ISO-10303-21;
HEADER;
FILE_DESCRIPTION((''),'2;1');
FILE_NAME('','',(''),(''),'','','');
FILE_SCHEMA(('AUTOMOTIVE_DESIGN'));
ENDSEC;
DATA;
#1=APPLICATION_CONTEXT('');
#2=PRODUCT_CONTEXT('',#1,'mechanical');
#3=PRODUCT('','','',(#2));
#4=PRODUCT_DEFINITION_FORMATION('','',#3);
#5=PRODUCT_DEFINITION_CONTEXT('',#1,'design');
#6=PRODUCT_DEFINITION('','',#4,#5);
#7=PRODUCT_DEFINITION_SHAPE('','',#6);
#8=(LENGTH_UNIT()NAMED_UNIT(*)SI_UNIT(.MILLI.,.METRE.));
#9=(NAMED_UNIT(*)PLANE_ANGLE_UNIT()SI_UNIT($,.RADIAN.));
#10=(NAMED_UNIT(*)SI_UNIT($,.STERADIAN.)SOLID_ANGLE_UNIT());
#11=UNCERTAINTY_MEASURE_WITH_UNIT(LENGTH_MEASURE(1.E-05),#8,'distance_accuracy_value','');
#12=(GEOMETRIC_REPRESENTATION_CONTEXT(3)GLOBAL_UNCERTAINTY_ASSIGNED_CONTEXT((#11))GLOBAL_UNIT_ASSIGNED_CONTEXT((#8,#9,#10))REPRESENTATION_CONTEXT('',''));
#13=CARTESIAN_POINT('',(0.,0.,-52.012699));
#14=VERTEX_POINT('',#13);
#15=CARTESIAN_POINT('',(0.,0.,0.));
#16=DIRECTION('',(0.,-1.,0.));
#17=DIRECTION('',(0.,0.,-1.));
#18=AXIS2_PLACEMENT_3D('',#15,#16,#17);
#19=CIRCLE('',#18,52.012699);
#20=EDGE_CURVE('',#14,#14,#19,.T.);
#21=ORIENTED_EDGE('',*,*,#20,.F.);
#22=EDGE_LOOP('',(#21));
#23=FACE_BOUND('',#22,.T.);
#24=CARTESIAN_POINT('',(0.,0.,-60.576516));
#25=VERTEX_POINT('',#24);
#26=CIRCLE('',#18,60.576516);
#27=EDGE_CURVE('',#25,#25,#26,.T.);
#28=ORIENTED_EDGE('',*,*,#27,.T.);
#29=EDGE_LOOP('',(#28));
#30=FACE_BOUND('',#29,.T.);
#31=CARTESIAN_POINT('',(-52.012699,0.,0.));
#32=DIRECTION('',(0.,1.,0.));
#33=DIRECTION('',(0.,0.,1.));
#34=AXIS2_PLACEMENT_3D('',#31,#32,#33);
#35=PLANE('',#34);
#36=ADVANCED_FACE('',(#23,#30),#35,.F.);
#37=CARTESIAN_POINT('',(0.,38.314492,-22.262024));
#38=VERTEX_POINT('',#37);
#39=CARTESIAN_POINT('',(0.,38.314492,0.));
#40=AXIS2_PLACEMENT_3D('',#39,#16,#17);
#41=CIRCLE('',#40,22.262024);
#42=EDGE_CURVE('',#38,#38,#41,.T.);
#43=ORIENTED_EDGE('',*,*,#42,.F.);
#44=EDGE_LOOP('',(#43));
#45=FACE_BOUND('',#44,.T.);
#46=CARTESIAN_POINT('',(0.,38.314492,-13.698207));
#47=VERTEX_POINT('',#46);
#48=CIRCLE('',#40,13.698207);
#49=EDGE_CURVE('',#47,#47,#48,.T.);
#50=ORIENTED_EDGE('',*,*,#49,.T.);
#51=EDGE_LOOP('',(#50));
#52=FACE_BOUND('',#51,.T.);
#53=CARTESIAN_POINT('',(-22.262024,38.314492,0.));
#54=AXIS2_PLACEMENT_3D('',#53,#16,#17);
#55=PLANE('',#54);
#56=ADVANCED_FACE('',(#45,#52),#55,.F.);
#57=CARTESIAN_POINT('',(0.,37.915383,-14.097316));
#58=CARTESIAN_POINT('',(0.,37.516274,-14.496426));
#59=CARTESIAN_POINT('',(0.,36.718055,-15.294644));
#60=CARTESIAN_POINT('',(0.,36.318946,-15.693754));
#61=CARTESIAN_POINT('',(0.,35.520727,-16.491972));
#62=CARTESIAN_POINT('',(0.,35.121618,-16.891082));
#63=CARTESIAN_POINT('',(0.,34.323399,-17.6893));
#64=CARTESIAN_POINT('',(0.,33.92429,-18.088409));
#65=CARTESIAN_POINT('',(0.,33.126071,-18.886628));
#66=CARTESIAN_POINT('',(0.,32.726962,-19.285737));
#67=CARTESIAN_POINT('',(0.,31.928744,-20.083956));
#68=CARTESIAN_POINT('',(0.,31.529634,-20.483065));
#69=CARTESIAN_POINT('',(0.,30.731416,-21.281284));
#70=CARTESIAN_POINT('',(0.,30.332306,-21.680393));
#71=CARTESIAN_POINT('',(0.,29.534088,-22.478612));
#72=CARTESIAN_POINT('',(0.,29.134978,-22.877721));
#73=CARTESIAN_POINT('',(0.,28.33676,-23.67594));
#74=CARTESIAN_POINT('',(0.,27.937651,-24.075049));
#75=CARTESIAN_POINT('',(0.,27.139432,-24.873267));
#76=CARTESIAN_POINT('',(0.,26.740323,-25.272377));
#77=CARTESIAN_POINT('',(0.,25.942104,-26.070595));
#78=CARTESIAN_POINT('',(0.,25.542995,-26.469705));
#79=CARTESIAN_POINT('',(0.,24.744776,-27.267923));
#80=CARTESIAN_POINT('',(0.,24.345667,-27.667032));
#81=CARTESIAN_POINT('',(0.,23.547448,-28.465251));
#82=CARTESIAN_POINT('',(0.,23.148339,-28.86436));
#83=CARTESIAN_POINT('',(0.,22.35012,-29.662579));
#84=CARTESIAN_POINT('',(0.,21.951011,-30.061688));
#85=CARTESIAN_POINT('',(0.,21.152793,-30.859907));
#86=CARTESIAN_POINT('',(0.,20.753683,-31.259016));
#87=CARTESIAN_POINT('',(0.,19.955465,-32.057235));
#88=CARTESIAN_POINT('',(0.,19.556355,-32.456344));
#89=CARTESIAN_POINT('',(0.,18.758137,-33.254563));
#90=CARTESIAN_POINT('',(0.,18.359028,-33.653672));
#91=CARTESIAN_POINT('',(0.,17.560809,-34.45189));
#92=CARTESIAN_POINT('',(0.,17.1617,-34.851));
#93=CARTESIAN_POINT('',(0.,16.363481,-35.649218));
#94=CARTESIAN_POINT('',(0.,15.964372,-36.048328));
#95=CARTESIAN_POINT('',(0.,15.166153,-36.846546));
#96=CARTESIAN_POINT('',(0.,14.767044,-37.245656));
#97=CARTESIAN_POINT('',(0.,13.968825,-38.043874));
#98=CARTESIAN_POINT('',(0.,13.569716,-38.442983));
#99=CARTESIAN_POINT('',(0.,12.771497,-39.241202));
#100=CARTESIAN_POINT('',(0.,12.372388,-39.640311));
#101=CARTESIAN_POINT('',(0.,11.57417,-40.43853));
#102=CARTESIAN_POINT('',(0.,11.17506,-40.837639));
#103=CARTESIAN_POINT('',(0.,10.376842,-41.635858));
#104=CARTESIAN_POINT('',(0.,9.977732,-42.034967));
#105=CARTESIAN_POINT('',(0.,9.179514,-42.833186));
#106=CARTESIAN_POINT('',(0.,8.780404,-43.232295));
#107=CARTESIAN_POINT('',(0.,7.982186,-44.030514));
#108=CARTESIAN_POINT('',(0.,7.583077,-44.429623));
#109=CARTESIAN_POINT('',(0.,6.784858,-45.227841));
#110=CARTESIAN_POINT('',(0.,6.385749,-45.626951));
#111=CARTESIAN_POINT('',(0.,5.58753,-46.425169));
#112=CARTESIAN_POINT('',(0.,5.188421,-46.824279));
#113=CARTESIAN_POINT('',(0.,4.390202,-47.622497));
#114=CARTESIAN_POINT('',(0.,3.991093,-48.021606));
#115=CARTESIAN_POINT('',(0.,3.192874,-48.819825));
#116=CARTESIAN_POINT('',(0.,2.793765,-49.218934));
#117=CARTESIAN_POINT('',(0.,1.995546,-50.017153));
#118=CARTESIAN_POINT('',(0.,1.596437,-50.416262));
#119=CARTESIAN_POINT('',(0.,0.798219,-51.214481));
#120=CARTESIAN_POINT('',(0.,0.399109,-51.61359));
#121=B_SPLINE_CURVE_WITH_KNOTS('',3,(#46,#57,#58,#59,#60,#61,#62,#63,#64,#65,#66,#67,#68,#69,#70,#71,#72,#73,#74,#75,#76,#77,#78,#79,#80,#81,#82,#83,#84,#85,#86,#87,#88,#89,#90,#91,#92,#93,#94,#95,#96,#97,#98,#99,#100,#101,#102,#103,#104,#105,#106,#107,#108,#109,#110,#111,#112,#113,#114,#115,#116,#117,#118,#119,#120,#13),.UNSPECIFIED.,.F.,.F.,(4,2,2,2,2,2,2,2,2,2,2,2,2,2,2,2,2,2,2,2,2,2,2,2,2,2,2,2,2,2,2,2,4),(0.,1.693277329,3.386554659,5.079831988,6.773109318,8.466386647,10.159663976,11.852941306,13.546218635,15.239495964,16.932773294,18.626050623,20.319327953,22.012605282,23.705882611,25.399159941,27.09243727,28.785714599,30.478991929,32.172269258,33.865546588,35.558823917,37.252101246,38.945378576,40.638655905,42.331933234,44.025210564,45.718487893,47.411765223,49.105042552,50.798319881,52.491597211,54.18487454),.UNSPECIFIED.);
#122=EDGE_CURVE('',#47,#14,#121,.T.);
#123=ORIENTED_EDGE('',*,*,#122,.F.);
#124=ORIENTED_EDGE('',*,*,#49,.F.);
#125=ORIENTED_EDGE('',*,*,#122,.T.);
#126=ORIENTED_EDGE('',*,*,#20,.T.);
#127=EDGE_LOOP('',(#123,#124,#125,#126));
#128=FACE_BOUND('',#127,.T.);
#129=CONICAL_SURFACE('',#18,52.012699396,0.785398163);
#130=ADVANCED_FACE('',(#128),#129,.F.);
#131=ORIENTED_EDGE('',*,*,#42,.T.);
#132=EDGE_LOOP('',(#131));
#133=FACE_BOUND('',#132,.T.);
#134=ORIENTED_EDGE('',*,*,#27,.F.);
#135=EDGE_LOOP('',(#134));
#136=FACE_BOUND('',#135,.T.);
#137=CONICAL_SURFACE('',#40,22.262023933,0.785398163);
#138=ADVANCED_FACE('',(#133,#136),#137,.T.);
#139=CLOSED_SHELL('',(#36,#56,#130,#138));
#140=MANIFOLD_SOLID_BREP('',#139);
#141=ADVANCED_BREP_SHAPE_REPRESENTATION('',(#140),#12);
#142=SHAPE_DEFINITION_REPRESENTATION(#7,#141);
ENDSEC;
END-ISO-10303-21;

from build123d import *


with BuildPart() as part:
    # Sketch1 → Revolve1 (revolve)
    with BuildSketch(Plane.XY, mode=Mode.PRIVATE) as revolve1_sk:
        Polygon((-22.262023933, 38.314492225), (-60.576516158, 0), (-52.012699396, 0), (-13.698207171, 38.314492225), align=None)
    revolve(revolve1_sk.sketch.rotate(Axis((0, 0, 0), (0, 1, 0)), 270), axis=Axis((0, 0, 0), (0, 1, 0)))


solid = part.part
